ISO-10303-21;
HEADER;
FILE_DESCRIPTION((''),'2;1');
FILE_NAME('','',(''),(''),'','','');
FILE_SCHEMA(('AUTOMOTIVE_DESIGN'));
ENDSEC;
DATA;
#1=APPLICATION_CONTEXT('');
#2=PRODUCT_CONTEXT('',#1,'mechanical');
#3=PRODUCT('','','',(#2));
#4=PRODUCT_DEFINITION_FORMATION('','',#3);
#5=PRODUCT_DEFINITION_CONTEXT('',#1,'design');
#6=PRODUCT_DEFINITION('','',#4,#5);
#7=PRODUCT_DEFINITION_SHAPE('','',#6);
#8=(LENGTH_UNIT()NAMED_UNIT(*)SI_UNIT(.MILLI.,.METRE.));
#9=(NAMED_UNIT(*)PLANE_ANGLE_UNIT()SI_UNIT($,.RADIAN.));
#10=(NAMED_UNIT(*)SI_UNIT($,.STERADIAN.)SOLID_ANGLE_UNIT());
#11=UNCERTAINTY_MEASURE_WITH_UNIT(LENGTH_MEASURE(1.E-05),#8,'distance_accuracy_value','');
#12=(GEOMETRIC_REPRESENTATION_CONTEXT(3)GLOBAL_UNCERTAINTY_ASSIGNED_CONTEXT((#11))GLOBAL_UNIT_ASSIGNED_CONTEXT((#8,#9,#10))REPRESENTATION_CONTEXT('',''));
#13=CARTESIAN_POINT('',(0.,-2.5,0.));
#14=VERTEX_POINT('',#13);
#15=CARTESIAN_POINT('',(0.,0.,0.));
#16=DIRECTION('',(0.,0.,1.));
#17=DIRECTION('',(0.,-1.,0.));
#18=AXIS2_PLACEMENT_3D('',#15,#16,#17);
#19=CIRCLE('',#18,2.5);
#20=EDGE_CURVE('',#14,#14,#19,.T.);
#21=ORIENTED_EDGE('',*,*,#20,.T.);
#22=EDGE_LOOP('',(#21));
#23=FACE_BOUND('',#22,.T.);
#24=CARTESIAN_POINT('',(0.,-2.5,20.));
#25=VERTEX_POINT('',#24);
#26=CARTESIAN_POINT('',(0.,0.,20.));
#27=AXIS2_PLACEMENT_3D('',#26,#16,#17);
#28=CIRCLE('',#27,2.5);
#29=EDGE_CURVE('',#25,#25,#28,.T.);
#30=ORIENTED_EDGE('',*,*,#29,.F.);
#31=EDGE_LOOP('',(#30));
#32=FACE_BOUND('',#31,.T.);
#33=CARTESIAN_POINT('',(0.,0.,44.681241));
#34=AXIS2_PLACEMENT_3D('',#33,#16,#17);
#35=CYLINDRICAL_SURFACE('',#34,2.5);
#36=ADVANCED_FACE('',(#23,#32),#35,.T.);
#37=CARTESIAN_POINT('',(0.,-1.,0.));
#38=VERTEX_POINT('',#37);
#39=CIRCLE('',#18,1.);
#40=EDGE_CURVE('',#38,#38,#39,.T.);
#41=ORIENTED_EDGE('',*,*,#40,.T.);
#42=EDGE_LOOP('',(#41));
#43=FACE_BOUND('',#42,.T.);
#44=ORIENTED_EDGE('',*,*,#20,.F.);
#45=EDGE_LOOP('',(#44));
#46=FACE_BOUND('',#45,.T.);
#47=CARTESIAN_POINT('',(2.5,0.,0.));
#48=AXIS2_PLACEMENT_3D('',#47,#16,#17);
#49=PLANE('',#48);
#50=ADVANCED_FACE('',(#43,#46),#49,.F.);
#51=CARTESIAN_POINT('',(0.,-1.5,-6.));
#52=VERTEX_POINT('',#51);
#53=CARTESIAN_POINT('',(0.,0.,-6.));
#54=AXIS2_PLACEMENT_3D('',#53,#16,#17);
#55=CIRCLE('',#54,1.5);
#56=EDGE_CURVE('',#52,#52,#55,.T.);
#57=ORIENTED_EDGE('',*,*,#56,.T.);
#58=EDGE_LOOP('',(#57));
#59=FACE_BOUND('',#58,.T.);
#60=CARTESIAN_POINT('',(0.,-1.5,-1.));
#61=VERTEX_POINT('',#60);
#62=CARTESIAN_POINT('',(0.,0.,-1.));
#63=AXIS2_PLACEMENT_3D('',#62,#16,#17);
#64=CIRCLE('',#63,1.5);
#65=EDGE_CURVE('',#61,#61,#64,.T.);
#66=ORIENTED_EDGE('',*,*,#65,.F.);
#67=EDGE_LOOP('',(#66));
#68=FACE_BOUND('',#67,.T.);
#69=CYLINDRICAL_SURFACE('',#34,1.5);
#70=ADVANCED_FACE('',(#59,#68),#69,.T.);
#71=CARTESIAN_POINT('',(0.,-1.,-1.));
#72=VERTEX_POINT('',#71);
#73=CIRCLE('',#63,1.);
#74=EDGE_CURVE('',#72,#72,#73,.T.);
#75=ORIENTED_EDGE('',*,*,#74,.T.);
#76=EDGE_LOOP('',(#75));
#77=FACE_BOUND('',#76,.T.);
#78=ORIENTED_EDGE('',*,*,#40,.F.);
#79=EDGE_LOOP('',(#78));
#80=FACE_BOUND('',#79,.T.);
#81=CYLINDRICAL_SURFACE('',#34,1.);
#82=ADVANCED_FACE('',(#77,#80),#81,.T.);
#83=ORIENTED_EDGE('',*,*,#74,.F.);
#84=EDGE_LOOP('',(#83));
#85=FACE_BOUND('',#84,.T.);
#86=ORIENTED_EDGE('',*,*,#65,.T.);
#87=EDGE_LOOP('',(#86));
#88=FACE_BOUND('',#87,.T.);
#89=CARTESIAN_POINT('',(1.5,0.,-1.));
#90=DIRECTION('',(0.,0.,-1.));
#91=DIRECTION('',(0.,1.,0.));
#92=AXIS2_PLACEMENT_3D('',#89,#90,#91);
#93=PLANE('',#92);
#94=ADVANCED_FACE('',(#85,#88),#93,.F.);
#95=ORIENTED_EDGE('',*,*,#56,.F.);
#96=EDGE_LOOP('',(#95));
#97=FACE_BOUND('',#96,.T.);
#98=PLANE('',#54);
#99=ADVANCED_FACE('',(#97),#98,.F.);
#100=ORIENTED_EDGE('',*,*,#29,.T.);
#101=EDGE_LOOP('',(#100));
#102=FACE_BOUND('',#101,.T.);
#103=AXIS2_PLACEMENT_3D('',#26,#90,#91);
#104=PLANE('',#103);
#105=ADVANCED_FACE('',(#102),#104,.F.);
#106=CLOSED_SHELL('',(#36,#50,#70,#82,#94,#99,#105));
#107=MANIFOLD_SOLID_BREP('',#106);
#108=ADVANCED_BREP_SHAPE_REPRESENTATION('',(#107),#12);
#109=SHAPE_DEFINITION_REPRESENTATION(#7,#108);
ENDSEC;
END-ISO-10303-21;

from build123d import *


with BuildPart() as part:
    # Sketch1 → Revolve1 (revolve)
    with BuildSketch(Plane.XZ):
        Polygon((0, 20), (2.5, 20), (2.5, 0), (1, 0), (1, -1), (1.5, -1), (1.5, -6), (0, -6), align=None)
    revolve(axis=Axis((0, 0, 44.681241357), (0, 0, -1)))


solid = part.part
